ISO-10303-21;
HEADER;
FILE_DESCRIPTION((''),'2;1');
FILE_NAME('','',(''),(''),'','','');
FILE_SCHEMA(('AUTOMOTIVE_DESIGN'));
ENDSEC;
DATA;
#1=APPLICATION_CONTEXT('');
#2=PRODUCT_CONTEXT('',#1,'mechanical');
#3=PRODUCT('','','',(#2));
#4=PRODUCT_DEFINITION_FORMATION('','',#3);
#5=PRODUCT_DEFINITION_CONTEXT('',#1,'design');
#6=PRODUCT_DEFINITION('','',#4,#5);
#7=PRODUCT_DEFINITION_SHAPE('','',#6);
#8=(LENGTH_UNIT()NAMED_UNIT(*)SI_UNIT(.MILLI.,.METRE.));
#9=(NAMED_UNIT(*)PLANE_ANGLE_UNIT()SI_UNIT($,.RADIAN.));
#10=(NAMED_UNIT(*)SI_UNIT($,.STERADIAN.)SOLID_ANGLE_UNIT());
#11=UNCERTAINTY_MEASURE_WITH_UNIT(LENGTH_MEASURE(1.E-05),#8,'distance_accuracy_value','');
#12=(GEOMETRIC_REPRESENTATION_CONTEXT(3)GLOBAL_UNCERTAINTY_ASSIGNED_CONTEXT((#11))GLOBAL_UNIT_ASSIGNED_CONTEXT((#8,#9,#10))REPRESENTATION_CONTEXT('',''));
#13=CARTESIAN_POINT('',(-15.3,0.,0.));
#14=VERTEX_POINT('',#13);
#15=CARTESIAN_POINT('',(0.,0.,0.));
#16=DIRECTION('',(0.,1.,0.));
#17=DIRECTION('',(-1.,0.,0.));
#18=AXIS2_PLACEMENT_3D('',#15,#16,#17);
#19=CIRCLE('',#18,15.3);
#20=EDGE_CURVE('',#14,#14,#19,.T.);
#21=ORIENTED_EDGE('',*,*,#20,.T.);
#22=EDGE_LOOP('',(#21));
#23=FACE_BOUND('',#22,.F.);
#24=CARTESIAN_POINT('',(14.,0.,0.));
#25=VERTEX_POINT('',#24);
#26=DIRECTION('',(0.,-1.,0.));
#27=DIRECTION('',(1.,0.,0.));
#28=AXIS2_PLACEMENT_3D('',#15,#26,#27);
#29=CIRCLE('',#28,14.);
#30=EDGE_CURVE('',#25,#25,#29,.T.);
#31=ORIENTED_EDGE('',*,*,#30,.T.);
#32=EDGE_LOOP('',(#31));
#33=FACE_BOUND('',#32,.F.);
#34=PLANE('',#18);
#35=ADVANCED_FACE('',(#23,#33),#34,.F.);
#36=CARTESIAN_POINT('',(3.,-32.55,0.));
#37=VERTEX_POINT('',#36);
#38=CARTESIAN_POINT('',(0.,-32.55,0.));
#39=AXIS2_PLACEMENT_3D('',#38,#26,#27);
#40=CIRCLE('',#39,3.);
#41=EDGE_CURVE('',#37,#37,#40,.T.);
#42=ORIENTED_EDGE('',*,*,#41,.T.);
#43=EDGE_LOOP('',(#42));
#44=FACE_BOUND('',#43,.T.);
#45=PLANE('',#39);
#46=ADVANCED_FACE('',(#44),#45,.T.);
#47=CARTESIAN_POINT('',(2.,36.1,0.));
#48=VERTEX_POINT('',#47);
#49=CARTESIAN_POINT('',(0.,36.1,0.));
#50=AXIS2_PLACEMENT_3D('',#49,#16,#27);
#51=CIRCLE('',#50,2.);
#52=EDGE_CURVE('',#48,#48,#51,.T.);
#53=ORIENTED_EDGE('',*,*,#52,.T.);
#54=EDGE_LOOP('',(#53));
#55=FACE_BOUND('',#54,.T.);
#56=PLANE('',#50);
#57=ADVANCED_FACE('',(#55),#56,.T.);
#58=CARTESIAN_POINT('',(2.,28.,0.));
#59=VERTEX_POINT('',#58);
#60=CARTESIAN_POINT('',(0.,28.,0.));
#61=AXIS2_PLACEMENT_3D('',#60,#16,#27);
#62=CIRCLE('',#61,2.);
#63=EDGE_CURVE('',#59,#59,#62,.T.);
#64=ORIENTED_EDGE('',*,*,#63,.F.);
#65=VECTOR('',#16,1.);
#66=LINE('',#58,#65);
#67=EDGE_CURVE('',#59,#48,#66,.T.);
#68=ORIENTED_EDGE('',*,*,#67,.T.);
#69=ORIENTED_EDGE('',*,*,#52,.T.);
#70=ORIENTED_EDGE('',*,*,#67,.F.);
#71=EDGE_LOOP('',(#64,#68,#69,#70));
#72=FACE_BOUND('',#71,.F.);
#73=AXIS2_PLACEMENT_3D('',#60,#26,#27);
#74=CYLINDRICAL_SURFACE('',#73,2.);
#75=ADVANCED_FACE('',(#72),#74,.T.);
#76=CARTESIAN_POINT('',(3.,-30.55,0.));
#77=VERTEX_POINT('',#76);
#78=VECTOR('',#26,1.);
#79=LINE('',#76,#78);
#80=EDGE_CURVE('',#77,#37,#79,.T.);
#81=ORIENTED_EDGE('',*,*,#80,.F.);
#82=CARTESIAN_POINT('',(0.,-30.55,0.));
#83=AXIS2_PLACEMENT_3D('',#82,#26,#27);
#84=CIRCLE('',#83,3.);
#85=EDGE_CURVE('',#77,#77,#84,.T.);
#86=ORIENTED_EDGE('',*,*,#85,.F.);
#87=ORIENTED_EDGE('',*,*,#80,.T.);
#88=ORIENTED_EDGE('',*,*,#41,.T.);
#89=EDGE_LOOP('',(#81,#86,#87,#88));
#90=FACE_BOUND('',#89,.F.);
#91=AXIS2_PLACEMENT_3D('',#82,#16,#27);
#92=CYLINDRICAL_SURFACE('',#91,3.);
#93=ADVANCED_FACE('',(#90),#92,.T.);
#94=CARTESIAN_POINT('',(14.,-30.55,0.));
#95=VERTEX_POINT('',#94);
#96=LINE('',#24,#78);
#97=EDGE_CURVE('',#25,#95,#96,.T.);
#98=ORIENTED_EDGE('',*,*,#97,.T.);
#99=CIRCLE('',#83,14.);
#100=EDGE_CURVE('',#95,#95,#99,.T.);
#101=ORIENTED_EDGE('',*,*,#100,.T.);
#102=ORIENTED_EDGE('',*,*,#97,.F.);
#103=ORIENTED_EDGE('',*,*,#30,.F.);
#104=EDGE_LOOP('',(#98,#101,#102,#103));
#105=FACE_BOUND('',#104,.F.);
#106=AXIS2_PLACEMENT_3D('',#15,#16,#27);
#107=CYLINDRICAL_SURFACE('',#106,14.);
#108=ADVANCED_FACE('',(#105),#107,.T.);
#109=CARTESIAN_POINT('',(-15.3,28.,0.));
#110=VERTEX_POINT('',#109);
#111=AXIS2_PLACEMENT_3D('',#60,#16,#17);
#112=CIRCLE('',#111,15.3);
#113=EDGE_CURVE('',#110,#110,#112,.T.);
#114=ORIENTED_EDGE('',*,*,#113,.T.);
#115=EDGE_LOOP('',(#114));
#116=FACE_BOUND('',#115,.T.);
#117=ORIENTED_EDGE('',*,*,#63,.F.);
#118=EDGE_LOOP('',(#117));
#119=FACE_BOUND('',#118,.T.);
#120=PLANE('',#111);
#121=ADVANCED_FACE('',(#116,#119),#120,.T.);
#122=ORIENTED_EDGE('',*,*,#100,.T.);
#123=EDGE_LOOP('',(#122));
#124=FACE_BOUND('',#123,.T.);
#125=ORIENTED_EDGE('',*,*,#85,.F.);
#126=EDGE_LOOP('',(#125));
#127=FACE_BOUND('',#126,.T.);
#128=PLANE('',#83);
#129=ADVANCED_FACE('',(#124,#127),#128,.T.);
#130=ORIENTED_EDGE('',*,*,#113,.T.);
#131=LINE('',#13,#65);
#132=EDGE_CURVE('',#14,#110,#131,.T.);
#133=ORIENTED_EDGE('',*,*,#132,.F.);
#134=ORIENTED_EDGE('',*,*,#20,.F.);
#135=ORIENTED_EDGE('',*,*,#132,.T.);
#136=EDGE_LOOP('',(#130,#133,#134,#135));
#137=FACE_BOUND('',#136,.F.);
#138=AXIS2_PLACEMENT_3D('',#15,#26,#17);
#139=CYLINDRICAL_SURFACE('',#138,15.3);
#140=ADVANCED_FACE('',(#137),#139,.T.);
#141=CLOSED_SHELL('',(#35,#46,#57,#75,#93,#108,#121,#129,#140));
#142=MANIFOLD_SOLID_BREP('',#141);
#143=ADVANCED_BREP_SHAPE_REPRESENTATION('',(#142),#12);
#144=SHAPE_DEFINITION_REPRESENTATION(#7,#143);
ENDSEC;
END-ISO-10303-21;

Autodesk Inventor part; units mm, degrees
ref_plane "YZ Plane" through (0, 0, 0) normal (1, 0, 0) x (0, 1, 0)
ref_plane "XZ Plane" through (0, 0, 0) normal (0, 1, 0) x (-1, 0, 0)
ref_plane "XY Plane" through (0, 0, 0) normal (0, 0, 1) x (1, 0, 0)
sketch "Sketch1" plane through (0, 0, 0) normal (0, 1, 0) x (-1, 0, 0)
  circle A0 centre (0, 0) radius 13.3
  circle A1 centre (0, 0) radius 15.3
  dimension "d0" = 26.6
  dimension "d1" = 2
extrude "Extrusion1" add sketch "Sketch1" along normal blind 28 contours A0 | A1
sketch "Sketch2" plane through (0, 0, 0) normal (0, -1, 0) x (1, 0, 0)
  circle A0 centre (0, 0) radius 12
  circle A1 centre (0, 0) radius 14
  dimension "d4" = 24
  dimension "d5" = 2
extrude "Extrusion2" add sketch "Sketch2" along normal blind 30.55 contours A0 | A1
sketch "Sketch3" plane through (0, -30.55, 0) normal (0, -1, 0) x (1, 0, 0)
  circle A0 centre (0, 0) radius 3
  dimension "d8" = 6
extrude "Extrusion3" add sketch "Sketch3" along normal blind 2
sketch "Sketch4" plane through (0, 28, 0) normal (0, 1, 0) x (1, 0, 0)
  circle A0 centre (0, 0) radius 2
  dimension "d11" = 4
extrude "Extrusion4" add sketch "Sketch4" along normal blind 8.1
properties part number "Pump"
